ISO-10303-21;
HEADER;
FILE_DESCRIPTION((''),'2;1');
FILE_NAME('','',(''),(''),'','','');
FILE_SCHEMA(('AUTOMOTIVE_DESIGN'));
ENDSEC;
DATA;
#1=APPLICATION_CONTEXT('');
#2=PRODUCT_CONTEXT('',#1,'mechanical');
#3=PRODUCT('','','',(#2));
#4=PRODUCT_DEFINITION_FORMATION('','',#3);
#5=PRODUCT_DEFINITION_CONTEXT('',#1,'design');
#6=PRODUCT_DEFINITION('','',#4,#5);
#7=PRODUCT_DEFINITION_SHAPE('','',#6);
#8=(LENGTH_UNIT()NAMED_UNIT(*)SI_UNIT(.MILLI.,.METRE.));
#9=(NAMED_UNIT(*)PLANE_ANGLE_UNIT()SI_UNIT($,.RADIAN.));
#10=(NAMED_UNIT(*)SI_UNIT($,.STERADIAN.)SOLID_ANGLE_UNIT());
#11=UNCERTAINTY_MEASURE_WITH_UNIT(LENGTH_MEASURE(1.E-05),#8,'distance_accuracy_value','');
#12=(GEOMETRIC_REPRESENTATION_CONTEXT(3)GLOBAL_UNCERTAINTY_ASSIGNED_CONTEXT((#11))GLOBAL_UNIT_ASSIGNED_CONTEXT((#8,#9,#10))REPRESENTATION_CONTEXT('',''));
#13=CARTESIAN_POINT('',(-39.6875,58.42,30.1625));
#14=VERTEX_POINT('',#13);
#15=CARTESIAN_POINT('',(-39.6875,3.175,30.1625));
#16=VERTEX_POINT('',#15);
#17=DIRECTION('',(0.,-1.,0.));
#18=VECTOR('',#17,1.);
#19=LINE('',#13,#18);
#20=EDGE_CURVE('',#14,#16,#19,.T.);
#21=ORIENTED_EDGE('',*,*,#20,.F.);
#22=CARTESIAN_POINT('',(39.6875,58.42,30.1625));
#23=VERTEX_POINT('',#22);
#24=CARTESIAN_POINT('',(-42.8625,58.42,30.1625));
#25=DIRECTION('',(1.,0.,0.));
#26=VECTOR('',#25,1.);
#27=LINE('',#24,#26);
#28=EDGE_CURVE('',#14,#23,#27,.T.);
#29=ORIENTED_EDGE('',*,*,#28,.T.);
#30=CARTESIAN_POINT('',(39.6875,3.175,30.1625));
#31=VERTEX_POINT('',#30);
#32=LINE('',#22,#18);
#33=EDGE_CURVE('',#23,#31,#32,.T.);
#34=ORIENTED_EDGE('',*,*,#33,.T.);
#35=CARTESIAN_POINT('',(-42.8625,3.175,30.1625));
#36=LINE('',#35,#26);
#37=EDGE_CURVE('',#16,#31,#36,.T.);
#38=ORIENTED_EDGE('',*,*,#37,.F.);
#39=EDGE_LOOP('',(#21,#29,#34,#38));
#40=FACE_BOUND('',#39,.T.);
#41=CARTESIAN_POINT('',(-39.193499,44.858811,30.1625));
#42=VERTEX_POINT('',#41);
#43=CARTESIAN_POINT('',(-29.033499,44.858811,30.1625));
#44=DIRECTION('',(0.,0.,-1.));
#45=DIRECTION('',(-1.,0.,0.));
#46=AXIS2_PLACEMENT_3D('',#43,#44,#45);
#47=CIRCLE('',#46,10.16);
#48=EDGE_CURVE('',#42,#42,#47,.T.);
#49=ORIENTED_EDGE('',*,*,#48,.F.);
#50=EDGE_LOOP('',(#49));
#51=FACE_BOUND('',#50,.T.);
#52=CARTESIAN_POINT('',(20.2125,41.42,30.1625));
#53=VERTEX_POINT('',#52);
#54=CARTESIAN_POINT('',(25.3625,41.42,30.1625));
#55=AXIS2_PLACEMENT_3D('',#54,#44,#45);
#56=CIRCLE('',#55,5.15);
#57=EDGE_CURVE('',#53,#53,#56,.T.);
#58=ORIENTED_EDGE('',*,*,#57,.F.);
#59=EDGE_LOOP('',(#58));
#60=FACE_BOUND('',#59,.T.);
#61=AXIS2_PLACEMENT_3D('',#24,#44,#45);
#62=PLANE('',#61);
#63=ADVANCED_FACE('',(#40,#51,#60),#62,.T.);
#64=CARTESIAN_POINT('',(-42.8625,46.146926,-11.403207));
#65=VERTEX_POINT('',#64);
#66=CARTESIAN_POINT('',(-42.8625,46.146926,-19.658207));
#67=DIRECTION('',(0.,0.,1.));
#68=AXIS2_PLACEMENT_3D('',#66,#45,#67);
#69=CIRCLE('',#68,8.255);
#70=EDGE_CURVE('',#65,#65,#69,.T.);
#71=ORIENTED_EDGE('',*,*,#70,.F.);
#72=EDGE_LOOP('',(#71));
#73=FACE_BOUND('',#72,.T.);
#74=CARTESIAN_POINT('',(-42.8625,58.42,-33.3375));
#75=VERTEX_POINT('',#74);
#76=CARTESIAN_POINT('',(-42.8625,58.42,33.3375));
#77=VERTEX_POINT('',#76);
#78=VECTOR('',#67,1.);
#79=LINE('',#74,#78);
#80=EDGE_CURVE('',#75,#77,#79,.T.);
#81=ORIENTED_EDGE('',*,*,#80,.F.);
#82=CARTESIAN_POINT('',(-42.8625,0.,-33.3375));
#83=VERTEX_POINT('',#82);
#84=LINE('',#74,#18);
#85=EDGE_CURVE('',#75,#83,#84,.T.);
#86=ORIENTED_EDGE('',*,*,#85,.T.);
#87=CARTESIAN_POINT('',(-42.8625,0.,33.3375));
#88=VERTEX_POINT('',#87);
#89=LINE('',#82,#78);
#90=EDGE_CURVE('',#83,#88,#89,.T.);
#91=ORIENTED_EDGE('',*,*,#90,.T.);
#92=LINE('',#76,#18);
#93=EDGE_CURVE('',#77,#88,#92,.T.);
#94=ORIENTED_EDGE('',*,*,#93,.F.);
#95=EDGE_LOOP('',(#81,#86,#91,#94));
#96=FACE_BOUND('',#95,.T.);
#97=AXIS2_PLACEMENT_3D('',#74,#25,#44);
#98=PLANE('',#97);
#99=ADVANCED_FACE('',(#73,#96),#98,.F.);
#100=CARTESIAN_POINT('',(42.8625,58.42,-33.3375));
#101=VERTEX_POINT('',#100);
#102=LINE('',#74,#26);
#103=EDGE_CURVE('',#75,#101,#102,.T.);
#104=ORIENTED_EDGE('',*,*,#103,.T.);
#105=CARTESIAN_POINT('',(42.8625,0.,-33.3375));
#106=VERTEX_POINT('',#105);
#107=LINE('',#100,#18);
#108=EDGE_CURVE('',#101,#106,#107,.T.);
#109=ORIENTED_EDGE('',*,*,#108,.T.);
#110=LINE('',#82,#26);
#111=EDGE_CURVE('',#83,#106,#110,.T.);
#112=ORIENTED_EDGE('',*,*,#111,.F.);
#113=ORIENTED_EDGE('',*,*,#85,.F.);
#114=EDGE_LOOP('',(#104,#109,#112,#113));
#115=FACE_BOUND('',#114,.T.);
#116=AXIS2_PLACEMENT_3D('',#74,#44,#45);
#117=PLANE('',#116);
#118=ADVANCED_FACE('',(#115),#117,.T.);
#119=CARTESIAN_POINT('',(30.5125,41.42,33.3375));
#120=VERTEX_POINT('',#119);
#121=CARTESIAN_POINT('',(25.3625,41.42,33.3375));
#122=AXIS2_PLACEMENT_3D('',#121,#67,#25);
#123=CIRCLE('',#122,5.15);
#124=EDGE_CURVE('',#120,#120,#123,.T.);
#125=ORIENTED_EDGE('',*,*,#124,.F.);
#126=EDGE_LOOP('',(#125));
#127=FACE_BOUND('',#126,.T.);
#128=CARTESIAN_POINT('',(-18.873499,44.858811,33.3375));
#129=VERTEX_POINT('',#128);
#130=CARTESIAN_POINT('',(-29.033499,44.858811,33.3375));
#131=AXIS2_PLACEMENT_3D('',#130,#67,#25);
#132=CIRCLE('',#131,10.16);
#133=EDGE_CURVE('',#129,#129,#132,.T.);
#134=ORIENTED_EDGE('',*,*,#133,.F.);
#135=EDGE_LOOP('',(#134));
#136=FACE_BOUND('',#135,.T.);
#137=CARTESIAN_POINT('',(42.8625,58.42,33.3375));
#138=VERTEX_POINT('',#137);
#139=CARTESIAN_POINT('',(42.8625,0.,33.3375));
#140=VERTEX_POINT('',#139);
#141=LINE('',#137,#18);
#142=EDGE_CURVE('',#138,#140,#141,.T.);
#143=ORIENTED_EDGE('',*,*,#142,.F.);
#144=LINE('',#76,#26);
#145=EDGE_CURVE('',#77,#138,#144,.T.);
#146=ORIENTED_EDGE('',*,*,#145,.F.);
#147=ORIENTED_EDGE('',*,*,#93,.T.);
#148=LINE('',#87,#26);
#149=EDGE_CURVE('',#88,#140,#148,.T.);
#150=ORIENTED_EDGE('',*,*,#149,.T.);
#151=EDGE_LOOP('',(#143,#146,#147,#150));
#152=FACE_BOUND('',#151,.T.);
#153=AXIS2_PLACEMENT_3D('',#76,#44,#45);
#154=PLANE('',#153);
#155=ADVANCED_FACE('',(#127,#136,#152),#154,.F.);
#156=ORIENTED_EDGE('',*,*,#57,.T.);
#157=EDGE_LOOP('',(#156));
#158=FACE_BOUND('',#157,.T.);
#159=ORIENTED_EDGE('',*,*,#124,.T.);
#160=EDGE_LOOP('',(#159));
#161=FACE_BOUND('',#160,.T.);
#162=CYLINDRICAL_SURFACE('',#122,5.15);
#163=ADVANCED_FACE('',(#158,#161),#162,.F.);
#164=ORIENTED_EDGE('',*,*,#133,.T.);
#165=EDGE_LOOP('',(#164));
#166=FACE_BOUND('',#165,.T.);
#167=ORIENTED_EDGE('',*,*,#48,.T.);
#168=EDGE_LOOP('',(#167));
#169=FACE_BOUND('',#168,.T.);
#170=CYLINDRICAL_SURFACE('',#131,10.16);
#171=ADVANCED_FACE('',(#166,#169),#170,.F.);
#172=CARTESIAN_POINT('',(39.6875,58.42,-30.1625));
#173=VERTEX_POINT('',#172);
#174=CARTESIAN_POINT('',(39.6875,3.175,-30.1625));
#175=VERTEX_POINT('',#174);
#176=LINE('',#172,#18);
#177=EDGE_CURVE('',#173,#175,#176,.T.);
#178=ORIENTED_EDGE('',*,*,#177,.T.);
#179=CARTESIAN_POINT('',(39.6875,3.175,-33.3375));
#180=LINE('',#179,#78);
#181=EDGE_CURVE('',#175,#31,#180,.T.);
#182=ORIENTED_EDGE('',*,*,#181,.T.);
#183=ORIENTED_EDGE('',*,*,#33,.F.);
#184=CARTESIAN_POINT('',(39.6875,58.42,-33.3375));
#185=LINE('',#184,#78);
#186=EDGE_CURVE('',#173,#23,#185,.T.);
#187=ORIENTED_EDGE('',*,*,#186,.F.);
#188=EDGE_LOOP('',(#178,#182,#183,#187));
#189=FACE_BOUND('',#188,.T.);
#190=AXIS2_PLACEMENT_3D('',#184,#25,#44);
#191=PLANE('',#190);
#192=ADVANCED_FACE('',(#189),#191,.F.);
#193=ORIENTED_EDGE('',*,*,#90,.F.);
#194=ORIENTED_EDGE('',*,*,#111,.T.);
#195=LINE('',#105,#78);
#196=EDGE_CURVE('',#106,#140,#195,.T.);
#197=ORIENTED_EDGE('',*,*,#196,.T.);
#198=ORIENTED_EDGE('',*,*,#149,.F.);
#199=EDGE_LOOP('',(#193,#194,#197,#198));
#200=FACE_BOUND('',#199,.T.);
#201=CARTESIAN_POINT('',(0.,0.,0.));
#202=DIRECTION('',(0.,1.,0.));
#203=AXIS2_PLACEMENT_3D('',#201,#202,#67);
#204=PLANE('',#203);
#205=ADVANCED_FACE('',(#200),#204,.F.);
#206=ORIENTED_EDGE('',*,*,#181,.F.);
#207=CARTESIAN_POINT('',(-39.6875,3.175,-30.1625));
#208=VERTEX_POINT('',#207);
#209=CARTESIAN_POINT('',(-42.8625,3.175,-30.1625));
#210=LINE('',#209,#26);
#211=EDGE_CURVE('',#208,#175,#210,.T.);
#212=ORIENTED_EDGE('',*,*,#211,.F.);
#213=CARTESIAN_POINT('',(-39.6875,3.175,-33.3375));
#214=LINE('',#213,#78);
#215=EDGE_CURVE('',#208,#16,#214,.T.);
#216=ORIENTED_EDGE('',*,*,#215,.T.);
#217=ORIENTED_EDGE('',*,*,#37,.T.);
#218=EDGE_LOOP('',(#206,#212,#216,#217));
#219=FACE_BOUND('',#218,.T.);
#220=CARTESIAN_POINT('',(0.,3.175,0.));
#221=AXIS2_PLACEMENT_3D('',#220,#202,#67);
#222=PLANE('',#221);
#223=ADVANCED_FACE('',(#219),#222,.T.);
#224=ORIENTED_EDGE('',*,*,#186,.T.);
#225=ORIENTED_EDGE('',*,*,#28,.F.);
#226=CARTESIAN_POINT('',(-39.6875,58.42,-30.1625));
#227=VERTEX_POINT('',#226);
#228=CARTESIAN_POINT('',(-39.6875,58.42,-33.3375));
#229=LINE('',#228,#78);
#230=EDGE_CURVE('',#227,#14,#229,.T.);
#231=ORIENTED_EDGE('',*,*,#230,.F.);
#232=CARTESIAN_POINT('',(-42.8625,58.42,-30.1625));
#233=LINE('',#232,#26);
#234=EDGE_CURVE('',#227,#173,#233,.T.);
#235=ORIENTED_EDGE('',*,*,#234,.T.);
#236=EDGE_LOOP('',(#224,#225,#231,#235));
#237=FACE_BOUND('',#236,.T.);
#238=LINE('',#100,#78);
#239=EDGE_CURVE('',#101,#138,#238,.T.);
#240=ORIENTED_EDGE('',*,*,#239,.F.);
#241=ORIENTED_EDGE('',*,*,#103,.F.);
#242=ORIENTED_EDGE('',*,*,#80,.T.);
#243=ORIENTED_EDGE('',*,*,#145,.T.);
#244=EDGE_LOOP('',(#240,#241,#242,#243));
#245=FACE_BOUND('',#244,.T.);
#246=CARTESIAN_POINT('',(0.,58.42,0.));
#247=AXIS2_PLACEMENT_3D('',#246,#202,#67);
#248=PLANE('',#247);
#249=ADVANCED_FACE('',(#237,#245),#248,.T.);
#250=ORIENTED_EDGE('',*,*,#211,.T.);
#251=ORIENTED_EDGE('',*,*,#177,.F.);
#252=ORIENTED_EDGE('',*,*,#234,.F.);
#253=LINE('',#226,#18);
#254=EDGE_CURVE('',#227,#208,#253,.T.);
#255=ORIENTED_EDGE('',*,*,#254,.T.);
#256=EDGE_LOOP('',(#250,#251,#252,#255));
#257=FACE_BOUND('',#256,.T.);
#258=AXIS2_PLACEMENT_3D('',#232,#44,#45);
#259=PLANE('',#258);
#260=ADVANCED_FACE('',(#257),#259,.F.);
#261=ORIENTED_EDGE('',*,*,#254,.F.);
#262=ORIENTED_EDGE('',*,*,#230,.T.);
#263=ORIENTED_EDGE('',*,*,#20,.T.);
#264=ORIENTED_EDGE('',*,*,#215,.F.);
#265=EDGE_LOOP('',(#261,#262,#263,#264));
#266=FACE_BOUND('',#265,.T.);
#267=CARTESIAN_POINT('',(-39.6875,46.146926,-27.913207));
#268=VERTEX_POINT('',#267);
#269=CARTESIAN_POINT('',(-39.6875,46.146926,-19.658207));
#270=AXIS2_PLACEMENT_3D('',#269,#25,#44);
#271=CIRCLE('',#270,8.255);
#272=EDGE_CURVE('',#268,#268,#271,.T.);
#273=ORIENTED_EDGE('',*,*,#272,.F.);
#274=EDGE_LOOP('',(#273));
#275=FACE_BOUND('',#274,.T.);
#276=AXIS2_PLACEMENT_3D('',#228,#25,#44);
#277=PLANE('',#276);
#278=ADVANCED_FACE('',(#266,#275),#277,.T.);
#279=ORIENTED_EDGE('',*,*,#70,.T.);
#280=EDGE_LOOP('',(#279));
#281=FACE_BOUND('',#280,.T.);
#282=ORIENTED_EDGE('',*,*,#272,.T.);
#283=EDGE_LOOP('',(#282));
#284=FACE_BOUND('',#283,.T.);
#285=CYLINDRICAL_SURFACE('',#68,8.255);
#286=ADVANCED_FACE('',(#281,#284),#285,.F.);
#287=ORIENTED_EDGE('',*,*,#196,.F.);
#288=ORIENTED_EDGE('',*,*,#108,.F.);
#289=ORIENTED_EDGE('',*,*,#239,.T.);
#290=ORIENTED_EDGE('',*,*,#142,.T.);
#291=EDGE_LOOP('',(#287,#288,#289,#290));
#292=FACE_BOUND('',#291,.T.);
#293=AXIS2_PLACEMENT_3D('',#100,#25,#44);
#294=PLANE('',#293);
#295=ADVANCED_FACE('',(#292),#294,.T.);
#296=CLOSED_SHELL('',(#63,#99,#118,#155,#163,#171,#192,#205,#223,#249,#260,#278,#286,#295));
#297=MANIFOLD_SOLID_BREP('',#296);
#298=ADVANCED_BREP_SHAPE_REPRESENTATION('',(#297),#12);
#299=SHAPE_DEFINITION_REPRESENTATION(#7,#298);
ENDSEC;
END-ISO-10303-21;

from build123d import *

# Parameters (mm, degrees)
SKETCH1_W           = 85.725
SKETCH1_H           = 66.675
BOSS_EXTRUDE2_DEPTH = 58.42
SHELL1_T            = -3.175
HOLE1_REACH         = 100.466
HOLE1_BORE_R        = 10.16
HOLE2_D             = 16.51
HOLE2_DEPTH         = 3.175
HOLE3_D             = 10.3
HOLE3_DEPTH         = 3.175


with BuildPart() as part:
    # Sketch1 → Boss-Extrude2 (new body)
    with BuildSketch(Plane(origin=(0, 0, 0), x_dir=(1, 0, 0), z_dir=(0, 1, 0))):
        Rectangle(SKETCH1_W, SKETCH1_H)
    extrude(amount=BOSS_EXTRUDE2_DEPTH)

    # Shell1
    shell1_openings = [part.faces().sort_by_distance(p)[0] for p in [
        (0, 58.42, 0),
    ]]
    offset(amount=SHELL1_T, openings=shell1_openings, kind=Kind.INTERSECTION)

    # Hole1 bore → Hole1 (cut, up to next)
    with BuildSketch(Plane.XY.offset(33.3375), mode=Mode.PRIVATE) as hole1_sk1:
        with Locations((-29.033498957, 44.858810897)):
            Circle(HOLE1_BORE_R)
    hole1_tool1 = extrude(hole1_sk1.sketch, amount=-HOLE1_REACH, mode=Mode.PRIVATE) & part.part
    add(hole1_tool1.solids().sort_by_distance((-29.033499, 44.858811, 33.3375))[0], mode=Mode.SUBTRACT)

    # Hole2
    with Locations(Plane.ZY.offset(42.8625)):
        with Locations((-19.658206751, 46.146926064)):
            Hole(HOLE2_D / 2, depth=HOLE2_DEPTH)

    # Hole3
    with Locations(Plane.XY.offset(33.3375)):
        with Locations((25.3625, 41.42)):
            Hole(HOLE3_D / 2, depth=HOLE3_DEPTH)


solid = part.part
